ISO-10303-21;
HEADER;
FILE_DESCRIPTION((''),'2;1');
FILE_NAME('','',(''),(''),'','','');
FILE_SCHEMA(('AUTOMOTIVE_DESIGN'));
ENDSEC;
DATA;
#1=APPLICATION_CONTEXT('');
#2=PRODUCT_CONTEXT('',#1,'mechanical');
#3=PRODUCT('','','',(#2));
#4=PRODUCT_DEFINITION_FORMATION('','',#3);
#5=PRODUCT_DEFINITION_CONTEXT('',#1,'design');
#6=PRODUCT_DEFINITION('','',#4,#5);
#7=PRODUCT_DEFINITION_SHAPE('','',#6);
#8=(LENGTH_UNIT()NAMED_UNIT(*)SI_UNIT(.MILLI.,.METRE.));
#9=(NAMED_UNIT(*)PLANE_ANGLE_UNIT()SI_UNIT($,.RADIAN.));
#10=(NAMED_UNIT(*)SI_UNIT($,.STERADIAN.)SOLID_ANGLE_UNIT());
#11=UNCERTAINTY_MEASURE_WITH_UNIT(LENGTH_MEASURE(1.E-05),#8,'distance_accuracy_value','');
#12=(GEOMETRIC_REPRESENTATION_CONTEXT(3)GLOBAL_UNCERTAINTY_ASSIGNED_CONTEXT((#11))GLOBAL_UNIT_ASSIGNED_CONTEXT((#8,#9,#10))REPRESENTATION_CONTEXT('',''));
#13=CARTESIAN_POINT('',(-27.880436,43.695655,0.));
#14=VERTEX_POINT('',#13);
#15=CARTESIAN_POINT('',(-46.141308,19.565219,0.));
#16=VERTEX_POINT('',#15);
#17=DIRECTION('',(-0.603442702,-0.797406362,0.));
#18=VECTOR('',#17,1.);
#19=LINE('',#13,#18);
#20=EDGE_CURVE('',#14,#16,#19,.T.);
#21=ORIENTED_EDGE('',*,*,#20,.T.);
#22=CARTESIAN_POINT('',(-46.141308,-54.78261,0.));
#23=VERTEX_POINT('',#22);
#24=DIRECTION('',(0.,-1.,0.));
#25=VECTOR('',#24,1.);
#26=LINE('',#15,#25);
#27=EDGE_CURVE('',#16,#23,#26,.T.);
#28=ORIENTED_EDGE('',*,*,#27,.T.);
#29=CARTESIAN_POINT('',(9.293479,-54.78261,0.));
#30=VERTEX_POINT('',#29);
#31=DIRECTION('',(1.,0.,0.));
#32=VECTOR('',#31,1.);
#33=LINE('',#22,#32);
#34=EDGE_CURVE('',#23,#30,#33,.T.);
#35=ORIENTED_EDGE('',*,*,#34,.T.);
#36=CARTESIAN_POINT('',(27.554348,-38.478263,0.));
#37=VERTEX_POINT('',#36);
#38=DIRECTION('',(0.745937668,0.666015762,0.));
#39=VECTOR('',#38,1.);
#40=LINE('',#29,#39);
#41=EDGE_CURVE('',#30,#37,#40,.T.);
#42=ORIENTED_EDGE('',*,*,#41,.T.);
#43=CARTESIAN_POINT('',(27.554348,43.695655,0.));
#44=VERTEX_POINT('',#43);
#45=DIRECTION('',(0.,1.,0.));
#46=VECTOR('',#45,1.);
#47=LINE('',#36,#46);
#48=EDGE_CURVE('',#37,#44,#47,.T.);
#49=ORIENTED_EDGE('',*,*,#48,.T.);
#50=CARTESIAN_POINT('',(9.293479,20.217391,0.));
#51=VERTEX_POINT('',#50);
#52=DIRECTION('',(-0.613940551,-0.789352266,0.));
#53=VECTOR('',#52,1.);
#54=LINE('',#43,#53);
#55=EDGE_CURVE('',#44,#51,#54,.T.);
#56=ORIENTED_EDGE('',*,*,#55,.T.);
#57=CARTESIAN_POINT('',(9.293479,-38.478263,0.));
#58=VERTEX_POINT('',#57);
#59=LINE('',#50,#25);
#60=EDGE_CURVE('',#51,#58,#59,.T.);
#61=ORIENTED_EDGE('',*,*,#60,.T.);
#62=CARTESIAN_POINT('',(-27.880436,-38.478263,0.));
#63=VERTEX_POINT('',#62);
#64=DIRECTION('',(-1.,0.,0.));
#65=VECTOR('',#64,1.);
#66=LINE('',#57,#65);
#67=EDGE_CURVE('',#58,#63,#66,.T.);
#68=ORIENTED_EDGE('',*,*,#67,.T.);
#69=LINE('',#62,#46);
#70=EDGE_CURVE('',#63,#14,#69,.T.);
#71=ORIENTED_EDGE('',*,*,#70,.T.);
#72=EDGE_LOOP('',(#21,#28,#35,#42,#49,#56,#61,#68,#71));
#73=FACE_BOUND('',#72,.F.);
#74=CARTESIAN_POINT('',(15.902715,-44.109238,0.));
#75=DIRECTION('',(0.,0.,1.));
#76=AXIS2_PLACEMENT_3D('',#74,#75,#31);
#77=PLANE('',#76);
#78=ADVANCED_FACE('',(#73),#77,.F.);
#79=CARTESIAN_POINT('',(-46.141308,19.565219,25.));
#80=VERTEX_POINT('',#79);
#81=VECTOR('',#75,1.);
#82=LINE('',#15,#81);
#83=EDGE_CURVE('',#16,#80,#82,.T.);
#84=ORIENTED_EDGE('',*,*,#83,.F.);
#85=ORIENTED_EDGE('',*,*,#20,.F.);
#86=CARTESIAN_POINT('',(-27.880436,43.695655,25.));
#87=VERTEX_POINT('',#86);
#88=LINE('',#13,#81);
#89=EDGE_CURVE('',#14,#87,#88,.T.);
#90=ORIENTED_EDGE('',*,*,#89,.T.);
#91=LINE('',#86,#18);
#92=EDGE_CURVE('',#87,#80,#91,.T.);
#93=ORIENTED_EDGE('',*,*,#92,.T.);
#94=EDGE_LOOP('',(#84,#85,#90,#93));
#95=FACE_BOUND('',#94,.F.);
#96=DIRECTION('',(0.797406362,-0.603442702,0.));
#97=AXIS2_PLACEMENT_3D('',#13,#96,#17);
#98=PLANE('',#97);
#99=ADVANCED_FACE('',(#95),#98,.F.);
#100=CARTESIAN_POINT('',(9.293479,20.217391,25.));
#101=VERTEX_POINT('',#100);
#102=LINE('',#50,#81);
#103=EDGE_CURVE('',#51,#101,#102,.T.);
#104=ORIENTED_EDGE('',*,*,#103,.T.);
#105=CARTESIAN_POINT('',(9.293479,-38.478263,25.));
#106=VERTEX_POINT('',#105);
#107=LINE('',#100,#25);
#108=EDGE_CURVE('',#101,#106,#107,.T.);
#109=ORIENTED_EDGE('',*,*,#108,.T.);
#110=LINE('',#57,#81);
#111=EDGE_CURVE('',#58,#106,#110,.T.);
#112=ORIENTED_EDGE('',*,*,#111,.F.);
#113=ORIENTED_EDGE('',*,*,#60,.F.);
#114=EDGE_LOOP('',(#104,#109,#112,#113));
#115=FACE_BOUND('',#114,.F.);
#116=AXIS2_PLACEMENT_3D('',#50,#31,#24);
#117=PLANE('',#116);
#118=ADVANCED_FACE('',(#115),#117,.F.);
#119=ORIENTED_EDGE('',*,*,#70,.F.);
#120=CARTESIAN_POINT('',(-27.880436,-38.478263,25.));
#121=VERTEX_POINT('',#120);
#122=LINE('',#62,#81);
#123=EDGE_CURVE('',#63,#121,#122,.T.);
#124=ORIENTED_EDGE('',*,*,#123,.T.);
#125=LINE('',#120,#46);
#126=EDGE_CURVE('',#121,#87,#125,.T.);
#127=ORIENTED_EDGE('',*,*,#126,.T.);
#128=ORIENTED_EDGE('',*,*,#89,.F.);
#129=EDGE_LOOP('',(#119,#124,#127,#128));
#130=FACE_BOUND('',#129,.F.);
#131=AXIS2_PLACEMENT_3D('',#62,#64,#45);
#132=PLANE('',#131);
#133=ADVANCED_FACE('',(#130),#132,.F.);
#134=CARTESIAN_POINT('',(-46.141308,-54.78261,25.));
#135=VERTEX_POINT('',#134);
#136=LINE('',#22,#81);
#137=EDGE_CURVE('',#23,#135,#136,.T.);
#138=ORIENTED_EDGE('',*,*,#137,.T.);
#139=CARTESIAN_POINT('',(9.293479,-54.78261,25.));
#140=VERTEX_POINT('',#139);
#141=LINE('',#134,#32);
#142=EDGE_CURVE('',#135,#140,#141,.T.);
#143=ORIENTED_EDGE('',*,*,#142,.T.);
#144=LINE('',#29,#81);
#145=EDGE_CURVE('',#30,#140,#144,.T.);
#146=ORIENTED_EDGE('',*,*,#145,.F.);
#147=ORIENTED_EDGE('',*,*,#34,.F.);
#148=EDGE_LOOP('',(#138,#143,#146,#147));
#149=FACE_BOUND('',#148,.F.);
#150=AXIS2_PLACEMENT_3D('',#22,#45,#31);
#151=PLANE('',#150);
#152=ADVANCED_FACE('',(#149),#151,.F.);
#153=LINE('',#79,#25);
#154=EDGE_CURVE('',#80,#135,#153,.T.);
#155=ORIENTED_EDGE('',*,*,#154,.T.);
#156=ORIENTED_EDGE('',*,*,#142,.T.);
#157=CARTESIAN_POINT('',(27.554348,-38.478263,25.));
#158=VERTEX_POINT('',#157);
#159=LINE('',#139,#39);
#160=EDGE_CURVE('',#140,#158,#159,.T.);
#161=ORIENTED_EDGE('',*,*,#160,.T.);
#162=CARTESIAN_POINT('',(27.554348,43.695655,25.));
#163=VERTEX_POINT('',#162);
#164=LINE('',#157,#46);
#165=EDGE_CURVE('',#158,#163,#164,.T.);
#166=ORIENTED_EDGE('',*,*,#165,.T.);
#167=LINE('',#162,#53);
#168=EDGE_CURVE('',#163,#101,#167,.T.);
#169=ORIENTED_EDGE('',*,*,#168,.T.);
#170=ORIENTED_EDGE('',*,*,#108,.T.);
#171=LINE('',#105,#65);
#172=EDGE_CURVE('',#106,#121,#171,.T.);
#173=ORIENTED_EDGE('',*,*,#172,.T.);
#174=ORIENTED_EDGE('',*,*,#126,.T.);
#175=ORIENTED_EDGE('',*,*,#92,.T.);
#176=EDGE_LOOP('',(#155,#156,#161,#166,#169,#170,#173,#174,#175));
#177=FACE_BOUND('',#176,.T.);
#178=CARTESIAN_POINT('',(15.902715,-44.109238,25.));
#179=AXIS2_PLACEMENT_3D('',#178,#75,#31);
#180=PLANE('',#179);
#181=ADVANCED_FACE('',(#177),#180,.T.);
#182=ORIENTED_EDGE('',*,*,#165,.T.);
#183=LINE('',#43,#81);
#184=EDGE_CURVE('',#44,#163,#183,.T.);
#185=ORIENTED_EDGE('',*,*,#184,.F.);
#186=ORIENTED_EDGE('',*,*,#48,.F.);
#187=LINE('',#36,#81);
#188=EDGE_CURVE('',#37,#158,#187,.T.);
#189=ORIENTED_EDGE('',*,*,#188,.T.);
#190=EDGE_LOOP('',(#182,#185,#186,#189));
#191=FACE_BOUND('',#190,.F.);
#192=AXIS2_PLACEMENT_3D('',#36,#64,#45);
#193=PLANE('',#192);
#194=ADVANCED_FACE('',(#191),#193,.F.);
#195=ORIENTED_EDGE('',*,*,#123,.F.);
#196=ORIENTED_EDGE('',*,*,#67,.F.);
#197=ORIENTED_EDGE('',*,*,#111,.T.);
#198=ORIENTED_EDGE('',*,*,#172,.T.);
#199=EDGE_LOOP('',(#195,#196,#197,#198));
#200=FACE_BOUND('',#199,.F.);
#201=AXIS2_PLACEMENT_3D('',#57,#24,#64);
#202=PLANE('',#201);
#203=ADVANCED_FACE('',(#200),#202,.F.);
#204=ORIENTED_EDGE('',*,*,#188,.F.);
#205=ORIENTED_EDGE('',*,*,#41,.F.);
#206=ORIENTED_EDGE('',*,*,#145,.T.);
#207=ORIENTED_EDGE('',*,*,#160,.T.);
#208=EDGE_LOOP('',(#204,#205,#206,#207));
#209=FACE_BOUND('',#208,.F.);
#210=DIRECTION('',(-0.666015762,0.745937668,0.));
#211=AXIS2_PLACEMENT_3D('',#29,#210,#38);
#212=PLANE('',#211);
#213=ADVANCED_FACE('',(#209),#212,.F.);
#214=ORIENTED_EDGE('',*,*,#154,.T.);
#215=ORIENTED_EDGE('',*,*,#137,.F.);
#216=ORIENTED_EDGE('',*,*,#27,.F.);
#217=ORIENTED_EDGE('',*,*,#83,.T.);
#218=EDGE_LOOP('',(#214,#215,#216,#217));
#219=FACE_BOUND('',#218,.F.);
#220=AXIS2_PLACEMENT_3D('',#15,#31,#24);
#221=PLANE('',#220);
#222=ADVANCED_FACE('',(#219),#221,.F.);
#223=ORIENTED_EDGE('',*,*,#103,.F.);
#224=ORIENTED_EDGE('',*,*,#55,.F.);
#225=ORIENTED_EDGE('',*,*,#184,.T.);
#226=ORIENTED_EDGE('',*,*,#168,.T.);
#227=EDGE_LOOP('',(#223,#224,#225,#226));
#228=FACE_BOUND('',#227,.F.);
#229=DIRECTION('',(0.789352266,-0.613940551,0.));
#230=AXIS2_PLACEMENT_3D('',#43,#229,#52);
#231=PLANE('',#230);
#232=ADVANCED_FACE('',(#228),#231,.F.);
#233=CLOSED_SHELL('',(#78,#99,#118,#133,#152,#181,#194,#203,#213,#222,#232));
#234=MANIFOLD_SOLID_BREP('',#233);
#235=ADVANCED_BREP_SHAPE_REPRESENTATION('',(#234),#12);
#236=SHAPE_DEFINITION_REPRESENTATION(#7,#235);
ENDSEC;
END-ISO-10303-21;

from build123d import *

# Parameters (mm, degrees)
F1_DEPTH = 25


with BuildPart() as f1:
    # F0 (on Top) → F1 (new body)
    with BuildSketch(Plane.XY):
        Polygon((9.293479, -54.78261), (27.554348, -38.478263), (9.293479, -38.478263), align=None)
        Polygon((-27.880436, 19.780052), (-27.880436, 43.695655), (-46.141308, 19.565219), align=None)
        Polygon((27.554348, 0), (27.554348, 43.695655), (9.293479, 20.217391), (9.293479, -38.478263), (27.554348, -38.478263), align=None)
        Polygon((9.293479, -54.78261), (9.293479, -38.478263), (-27.880436, -38.478263), (-46.141308, -54.78261), align=None)
        Polygon((-27.880436, -38.478263), (-27.880436, 19.780052), (-46.141308, 19.565219), (-46.141308, -54.78261), align=None)
    extrude(amount=F1_DEPTH)


solid = f1.part
